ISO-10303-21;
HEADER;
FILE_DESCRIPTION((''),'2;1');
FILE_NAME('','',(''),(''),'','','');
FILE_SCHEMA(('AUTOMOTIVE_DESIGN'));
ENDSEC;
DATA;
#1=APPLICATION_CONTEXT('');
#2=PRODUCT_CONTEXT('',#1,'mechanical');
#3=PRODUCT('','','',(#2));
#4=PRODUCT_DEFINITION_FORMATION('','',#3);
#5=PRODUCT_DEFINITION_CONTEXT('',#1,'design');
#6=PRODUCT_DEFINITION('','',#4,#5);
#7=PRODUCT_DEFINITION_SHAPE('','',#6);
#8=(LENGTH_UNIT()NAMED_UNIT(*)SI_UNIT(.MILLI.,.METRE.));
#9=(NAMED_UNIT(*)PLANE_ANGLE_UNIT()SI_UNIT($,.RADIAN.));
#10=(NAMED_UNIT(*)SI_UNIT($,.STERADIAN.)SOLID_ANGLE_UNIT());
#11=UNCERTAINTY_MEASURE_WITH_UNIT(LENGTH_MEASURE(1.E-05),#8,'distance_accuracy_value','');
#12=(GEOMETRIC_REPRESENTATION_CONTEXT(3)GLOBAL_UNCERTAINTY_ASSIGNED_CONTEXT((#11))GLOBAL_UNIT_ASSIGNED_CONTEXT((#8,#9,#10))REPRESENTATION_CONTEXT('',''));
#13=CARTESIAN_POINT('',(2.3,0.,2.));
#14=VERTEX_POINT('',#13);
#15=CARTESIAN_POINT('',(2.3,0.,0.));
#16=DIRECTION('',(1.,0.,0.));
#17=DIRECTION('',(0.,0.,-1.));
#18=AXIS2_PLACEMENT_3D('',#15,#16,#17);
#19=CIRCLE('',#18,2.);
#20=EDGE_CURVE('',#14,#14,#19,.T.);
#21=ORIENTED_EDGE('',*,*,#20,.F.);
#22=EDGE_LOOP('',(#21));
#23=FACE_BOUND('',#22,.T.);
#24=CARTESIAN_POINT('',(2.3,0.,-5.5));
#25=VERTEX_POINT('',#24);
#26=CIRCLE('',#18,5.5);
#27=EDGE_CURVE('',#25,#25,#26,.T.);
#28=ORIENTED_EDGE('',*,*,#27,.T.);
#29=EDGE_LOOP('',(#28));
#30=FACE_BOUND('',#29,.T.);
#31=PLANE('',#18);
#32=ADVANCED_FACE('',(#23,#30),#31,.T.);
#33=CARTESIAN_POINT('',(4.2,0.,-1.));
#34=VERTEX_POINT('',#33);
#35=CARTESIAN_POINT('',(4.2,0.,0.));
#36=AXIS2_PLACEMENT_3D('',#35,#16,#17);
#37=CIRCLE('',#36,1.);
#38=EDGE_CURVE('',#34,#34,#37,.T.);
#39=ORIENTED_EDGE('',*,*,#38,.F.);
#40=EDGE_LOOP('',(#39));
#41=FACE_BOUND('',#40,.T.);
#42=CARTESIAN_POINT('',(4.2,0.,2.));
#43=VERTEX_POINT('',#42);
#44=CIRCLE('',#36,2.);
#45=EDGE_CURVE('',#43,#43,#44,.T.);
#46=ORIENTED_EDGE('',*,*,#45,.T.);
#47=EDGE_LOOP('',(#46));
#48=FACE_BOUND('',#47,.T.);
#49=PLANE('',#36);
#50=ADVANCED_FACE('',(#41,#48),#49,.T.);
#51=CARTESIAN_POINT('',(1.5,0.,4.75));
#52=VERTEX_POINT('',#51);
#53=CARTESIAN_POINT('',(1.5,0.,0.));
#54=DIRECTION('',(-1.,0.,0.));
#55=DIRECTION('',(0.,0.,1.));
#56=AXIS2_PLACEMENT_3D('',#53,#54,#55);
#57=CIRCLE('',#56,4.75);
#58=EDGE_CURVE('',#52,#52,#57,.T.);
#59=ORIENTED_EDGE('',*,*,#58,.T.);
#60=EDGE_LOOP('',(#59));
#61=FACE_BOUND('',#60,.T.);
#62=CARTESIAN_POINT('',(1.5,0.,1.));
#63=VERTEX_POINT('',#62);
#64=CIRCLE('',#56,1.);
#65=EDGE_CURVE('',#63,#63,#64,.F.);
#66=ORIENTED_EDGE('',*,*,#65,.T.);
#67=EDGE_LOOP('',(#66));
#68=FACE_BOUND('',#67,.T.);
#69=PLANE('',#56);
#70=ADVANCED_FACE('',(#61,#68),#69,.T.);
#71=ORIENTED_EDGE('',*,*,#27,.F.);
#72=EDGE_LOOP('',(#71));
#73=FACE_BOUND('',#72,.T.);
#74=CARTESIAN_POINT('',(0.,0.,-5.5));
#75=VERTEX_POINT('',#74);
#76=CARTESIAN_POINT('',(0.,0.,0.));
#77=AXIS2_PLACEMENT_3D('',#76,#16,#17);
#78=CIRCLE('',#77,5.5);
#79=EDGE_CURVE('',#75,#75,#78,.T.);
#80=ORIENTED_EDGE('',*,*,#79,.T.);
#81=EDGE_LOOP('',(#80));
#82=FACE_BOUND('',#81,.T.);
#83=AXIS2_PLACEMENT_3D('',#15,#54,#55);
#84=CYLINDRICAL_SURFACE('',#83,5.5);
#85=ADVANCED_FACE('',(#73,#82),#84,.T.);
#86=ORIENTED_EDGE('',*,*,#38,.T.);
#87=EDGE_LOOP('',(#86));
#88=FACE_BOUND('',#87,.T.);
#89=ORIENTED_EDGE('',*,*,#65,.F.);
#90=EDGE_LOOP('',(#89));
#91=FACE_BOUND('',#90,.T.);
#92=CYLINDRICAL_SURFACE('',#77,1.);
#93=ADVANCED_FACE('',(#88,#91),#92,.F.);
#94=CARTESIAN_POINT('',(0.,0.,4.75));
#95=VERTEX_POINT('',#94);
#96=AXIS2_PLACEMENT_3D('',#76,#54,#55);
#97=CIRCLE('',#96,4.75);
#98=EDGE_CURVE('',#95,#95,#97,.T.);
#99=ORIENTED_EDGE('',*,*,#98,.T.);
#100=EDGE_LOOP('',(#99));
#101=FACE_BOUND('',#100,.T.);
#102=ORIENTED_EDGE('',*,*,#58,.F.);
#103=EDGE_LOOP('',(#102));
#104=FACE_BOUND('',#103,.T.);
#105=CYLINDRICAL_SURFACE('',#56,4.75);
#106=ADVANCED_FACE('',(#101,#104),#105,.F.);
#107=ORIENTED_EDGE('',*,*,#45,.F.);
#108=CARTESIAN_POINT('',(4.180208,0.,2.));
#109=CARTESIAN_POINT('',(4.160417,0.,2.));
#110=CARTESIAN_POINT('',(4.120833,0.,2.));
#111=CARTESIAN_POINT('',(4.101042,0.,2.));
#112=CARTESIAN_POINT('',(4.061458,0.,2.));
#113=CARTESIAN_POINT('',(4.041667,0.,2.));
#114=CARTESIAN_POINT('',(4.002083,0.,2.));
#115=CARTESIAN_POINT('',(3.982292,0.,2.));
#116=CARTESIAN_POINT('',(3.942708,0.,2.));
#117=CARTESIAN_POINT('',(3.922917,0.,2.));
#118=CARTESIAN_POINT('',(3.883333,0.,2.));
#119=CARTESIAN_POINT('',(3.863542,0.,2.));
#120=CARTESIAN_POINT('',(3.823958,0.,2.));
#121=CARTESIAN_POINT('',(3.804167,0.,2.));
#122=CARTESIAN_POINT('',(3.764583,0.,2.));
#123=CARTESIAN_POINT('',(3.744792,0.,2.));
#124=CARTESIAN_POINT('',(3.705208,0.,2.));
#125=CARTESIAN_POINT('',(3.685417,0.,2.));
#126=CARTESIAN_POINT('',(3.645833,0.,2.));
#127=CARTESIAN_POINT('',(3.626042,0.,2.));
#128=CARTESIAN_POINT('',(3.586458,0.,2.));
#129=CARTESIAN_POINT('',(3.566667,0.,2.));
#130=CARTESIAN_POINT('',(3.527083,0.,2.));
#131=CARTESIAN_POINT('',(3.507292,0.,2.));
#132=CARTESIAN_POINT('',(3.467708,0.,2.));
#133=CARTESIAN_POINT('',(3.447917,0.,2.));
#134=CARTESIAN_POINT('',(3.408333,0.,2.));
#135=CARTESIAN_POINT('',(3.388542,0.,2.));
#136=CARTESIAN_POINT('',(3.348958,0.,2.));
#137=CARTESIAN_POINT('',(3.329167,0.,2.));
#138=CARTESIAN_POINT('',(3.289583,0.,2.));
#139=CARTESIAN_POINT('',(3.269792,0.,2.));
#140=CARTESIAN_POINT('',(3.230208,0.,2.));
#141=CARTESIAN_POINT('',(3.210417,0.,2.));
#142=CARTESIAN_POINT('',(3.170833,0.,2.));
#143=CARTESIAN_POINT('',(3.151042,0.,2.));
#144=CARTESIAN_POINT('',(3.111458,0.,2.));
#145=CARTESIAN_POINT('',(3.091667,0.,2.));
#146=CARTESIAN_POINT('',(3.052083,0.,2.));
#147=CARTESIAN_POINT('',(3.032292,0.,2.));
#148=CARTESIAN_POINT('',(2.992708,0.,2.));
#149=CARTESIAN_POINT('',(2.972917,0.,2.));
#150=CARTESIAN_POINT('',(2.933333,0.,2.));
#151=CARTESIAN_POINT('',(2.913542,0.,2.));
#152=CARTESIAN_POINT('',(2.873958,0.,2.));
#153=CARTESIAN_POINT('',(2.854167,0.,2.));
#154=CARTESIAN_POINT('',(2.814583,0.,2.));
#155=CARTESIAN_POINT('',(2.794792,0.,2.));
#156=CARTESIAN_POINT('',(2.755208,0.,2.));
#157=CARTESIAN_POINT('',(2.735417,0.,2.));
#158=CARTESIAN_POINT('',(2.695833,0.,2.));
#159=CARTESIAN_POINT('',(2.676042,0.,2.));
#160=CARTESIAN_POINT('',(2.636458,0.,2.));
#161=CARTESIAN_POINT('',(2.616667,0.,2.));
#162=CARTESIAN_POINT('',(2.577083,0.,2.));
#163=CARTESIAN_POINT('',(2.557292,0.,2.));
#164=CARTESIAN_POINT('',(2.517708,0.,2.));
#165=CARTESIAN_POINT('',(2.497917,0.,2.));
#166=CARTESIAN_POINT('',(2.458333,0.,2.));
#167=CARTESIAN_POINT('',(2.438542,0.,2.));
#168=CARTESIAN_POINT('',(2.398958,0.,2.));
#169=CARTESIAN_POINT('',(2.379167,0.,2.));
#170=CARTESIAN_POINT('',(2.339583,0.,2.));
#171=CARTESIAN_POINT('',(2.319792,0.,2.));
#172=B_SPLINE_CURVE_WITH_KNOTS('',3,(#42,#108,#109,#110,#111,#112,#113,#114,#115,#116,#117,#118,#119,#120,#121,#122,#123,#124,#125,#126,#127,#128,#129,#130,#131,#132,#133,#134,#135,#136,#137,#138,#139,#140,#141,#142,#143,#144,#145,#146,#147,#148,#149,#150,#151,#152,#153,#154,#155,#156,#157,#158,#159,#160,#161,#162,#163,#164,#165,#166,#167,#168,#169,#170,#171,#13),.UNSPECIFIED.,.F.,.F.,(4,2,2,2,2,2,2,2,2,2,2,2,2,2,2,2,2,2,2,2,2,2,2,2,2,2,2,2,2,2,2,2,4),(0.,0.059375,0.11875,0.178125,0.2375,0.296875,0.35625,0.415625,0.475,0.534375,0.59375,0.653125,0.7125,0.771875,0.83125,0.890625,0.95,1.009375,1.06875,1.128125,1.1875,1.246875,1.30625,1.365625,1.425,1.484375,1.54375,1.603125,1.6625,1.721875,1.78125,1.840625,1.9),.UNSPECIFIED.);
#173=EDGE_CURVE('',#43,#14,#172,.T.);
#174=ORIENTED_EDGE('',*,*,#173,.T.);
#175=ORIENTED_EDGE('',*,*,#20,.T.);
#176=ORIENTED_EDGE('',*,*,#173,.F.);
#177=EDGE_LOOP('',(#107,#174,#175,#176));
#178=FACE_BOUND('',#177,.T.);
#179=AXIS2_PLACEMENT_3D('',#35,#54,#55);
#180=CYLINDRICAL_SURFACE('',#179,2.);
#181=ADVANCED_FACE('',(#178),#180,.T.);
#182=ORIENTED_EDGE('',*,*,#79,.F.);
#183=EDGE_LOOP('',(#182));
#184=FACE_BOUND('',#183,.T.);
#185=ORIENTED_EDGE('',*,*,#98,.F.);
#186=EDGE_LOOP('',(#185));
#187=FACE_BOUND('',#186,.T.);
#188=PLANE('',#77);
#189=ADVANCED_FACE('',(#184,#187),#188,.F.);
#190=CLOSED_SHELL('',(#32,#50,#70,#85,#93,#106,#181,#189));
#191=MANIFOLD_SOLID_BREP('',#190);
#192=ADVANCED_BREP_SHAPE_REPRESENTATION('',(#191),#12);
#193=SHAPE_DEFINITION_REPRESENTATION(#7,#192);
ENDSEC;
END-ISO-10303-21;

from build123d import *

# Parameters (mm, degrees)
SKETCH_1_R          = 5.5
EXTRUDE_1_DEPTH     = 2.3
SKETCH_2_R          = 2
EXTRUDE_2_DEPTH     = 1.9
SKETCH_3_R          = 1
CUT_EXTRUDE_1_DEPTH = 9.839683252
SKETCH_4_R          = 4.75
CUT_EXTRUDE_2_DEPTH = 1.5


with BuildPart() as part:
    # 草图1 → 凸台-拉伸1 (new body)
    with BuildSketch(Plane(origin=(0, 0, 0), x_dir=(0, 0, -1), z_dir=(1, 0, 0))):
        Circle(SKETCH_1_R)
    extrude(amount=EXTRUDE_1_DEPTH)

    # 草图2 → 凸台-拉伸2 (add)
    with BuildSketch(Plane(origin=(2.3, 0, 0), x_dir=(0, 0, -1), z_dir=(1, 0, 0))):
        with Locations(Location((0, 0, 0), (0, 0, 180))):
            Circle(SKETCH_2_R)
    extrude(amount=EXTRUDE_2_DEPTH)

    # 草图3 → 切除-拉伸1 (cut, through all)
    with BuildSketch(Plane(origin=(4.2, 0, 0), x_dir=(0, 0, -1), z_dir=(1, 0, 0))):
        Circle(SKETCH_3_R)
    extrude(amount=-CUT_EXTRUDE_1_DEPTH, mode=Mode.SUBTRACT)

    # 草图4 → 切除-拉伸2 (cut)
    with BuildSketch(Plane.ZY):
        Circle(SKETCH_4_R)
    extrude(amount=-CUT_EXTRUDE_2_DEPTH, mode=Mode.SUBTRACT)


solid = part.part
